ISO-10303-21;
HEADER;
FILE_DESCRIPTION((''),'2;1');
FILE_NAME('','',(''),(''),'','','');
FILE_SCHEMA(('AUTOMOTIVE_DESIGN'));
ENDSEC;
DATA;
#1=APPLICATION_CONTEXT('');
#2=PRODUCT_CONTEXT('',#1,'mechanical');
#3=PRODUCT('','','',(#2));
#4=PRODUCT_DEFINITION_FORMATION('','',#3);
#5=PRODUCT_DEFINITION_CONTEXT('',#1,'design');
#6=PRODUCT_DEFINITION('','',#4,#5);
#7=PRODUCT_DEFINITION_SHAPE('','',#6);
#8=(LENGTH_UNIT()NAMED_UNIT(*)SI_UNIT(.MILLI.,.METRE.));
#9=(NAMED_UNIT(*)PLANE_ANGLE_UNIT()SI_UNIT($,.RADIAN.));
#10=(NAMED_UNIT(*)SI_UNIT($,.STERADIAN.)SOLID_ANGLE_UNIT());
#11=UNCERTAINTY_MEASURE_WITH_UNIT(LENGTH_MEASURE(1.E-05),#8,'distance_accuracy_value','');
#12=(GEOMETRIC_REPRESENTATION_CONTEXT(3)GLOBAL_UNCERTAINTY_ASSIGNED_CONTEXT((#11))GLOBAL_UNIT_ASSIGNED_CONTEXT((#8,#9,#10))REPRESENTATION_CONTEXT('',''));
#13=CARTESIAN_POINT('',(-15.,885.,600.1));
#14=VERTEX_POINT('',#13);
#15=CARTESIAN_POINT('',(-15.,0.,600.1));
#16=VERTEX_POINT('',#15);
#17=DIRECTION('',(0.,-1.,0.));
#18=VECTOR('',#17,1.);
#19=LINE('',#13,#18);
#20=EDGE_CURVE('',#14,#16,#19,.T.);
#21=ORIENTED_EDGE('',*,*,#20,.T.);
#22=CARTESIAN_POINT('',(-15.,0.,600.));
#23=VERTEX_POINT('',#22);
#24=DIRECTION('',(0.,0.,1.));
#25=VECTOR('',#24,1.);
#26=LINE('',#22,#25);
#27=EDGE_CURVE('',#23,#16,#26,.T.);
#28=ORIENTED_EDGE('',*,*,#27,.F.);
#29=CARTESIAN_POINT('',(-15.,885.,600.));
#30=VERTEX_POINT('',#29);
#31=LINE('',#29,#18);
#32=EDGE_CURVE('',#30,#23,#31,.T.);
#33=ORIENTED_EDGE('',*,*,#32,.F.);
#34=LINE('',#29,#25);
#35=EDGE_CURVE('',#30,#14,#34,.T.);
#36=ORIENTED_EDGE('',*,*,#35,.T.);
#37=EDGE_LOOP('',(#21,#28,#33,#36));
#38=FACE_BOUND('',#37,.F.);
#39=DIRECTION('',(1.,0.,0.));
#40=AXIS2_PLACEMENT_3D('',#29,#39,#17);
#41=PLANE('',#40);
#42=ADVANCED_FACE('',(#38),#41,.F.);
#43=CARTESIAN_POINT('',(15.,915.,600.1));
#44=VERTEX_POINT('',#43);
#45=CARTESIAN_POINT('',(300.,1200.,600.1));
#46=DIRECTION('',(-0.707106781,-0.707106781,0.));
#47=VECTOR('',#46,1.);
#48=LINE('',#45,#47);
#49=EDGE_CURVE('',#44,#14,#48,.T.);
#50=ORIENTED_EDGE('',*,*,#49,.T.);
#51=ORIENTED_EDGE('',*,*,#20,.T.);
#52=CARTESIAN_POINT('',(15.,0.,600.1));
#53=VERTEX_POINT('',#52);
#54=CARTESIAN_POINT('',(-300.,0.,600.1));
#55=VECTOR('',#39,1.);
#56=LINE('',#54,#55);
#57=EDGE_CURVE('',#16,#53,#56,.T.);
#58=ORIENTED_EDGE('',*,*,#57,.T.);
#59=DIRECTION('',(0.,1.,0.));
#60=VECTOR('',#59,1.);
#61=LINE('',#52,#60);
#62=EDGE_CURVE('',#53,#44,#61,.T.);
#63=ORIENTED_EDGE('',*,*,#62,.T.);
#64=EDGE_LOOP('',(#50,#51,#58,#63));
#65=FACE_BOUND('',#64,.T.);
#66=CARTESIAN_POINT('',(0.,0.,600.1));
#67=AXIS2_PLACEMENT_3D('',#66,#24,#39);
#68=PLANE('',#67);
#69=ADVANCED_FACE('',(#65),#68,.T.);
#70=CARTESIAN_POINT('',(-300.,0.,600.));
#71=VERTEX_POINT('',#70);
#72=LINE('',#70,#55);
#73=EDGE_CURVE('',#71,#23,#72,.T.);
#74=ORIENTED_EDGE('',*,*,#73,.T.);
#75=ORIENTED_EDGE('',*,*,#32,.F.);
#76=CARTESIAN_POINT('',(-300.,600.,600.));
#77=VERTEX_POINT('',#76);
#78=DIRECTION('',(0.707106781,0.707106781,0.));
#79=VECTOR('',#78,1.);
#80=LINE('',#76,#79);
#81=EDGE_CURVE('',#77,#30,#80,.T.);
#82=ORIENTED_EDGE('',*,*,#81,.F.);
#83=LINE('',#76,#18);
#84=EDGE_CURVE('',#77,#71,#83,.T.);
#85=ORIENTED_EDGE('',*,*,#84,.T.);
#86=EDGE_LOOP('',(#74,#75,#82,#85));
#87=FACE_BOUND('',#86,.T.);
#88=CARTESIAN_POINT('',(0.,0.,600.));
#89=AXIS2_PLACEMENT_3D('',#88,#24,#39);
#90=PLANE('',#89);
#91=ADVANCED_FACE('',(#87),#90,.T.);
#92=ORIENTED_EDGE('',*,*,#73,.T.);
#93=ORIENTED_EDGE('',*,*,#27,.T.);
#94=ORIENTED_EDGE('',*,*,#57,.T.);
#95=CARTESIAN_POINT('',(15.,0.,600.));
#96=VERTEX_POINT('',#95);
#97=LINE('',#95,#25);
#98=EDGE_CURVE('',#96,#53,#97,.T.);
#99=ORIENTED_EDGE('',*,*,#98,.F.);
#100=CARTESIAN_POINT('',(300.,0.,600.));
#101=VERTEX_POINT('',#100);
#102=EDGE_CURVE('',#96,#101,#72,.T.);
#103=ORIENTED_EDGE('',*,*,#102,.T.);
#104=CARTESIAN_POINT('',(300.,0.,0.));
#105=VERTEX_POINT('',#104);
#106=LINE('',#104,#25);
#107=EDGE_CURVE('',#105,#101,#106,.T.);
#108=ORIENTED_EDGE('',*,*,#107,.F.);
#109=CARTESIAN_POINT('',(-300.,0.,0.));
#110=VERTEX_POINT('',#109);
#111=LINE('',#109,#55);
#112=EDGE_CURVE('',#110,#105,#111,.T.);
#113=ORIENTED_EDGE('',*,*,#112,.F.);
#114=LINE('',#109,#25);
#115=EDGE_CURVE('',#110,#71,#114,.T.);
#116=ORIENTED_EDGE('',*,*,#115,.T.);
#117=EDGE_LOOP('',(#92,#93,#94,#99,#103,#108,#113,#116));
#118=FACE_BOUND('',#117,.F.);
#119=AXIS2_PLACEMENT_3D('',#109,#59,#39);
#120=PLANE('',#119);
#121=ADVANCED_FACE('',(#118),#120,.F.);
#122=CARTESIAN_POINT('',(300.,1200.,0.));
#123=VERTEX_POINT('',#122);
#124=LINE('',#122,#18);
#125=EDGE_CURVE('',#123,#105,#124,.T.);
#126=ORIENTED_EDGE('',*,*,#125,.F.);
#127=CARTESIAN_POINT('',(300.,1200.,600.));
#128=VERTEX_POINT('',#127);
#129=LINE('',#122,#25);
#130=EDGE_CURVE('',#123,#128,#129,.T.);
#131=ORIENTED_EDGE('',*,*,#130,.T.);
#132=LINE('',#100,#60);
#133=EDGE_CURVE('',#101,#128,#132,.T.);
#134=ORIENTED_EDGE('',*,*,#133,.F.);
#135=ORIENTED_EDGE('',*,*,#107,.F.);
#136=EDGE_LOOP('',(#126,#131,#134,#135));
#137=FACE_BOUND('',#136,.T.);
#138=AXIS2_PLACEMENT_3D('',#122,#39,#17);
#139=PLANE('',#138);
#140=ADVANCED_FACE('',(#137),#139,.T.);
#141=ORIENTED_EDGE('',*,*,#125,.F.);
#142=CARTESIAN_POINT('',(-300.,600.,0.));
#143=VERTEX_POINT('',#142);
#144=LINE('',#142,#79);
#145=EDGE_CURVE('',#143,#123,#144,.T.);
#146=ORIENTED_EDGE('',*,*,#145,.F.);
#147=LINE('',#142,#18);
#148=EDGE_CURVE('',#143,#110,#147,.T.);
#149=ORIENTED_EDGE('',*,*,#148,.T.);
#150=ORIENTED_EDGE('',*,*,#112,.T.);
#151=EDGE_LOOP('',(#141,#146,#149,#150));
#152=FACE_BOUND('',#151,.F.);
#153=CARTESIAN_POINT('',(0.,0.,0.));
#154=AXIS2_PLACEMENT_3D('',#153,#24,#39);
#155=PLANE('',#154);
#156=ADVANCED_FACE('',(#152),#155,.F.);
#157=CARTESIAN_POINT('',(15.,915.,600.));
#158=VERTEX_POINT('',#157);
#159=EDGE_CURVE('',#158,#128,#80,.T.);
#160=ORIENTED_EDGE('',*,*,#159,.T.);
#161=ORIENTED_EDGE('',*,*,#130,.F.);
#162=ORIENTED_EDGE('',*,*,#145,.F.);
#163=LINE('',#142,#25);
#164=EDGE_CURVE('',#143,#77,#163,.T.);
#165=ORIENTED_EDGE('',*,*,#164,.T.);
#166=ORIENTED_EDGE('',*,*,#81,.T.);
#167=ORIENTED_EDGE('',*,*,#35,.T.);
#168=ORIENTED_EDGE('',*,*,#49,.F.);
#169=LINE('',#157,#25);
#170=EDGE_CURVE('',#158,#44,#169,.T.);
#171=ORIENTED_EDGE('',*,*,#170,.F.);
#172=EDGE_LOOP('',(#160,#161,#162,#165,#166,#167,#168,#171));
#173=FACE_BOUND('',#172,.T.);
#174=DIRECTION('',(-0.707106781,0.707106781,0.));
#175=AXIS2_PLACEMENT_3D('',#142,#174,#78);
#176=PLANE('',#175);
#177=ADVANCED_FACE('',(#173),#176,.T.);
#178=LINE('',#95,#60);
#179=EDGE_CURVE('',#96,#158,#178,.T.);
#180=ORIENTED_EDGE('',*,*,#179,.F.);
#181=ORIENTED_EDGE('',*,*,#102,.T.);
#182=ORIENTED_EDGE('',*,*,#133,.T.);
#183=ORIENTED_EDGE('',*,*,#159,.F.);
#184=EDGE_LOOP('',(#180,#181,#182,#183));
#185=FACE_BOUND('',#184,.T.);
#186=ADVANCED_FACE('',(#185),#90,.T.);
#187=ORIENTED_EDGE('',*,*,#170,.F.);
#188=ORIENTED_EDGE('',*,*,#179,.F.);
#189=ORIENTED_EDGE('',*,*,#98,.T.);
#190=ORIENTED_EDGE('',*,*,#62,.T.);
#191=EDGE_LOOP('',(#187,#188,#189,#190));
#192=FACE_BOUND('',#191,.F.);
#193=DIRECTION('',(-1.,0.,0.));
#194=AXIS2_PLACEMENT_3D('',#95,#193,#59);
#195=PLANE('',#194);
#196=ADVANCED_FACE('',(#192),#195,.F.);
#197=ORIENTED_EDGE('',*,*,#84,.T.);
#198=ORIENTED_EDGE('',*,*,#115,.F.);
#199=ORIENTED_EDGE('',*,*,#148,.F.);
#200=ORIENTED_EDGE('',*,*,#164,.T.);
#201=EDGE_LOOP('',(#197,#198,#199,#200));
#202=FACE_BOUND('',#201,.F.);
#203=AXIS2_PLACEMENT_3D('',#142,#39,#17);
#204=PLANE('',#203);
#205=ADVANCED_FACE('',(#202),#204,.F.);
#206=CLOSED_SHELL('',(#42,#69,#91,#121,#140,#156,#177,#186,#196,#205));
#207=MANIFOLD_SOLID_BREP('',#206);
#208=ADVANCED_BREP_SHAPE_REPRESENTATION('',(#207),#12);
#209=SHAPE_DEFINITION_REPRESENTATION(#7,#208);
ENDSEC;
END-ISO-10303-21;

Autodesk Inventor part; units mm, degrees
ref_plane "YZ Plane" through (0, 0, 0) normal (1, 0, 0) x (0, 1, 0)
ref_plane "XZ Plane" through (0, 0, 0) normal (0, 1, 0) x (-1, 0, 0)
ref_plane "XY Plane" through (0, 0, 0) normal (0, 0, 1) x (1, 0, 0)
sketch "スケッチ1" plane through (0, 0, 0) normal (0, 0, 1) x (1, 0, 0)
  line L0 (-300, 0) -> (300, 0)
  line L1 (300, 0) -> (300, 600)
  line L2 (300, 600) -> (-300, 600)
  line L3 (-300, 600) -> (-300, 0)
  line L4 (-300, 600) -> (300, 1200)
  line L5 (300, 1200) -> (300, 600)
  point P0 (0, 0)
  point P1 (0, 0)
  dimension "d0" = 45
  dimension "d1" = 600
  dimension "d2" = 600
extrude "押し出し1" add sketch "スケッチ1" along normal blind 600
sketch "スケッチ2" plane through (0, 0, 600) normal (0, 0, 1) x (1, 0, 0)
  line L0 (300, 1200) -> (-300, 600) projected
  line L1 (-300, 0) -> (300, 0) projected
  line L2 (-15, 0) -> (15, 0)
  line L3 (15, 0) -> (15, 915)
  line L4 (15, 915) -> (-15, 885)
  line L5 (-15, 885) -> (-15, 0)
  point P0 (0, 0)
  point P1 (0, 0)
  point P2 (0, 0)
  dimension "d5" = 30
extrude "押し出し2" add sketch "スケッチ2" along normal blind 0.1
properties part number "Highland_赤"
